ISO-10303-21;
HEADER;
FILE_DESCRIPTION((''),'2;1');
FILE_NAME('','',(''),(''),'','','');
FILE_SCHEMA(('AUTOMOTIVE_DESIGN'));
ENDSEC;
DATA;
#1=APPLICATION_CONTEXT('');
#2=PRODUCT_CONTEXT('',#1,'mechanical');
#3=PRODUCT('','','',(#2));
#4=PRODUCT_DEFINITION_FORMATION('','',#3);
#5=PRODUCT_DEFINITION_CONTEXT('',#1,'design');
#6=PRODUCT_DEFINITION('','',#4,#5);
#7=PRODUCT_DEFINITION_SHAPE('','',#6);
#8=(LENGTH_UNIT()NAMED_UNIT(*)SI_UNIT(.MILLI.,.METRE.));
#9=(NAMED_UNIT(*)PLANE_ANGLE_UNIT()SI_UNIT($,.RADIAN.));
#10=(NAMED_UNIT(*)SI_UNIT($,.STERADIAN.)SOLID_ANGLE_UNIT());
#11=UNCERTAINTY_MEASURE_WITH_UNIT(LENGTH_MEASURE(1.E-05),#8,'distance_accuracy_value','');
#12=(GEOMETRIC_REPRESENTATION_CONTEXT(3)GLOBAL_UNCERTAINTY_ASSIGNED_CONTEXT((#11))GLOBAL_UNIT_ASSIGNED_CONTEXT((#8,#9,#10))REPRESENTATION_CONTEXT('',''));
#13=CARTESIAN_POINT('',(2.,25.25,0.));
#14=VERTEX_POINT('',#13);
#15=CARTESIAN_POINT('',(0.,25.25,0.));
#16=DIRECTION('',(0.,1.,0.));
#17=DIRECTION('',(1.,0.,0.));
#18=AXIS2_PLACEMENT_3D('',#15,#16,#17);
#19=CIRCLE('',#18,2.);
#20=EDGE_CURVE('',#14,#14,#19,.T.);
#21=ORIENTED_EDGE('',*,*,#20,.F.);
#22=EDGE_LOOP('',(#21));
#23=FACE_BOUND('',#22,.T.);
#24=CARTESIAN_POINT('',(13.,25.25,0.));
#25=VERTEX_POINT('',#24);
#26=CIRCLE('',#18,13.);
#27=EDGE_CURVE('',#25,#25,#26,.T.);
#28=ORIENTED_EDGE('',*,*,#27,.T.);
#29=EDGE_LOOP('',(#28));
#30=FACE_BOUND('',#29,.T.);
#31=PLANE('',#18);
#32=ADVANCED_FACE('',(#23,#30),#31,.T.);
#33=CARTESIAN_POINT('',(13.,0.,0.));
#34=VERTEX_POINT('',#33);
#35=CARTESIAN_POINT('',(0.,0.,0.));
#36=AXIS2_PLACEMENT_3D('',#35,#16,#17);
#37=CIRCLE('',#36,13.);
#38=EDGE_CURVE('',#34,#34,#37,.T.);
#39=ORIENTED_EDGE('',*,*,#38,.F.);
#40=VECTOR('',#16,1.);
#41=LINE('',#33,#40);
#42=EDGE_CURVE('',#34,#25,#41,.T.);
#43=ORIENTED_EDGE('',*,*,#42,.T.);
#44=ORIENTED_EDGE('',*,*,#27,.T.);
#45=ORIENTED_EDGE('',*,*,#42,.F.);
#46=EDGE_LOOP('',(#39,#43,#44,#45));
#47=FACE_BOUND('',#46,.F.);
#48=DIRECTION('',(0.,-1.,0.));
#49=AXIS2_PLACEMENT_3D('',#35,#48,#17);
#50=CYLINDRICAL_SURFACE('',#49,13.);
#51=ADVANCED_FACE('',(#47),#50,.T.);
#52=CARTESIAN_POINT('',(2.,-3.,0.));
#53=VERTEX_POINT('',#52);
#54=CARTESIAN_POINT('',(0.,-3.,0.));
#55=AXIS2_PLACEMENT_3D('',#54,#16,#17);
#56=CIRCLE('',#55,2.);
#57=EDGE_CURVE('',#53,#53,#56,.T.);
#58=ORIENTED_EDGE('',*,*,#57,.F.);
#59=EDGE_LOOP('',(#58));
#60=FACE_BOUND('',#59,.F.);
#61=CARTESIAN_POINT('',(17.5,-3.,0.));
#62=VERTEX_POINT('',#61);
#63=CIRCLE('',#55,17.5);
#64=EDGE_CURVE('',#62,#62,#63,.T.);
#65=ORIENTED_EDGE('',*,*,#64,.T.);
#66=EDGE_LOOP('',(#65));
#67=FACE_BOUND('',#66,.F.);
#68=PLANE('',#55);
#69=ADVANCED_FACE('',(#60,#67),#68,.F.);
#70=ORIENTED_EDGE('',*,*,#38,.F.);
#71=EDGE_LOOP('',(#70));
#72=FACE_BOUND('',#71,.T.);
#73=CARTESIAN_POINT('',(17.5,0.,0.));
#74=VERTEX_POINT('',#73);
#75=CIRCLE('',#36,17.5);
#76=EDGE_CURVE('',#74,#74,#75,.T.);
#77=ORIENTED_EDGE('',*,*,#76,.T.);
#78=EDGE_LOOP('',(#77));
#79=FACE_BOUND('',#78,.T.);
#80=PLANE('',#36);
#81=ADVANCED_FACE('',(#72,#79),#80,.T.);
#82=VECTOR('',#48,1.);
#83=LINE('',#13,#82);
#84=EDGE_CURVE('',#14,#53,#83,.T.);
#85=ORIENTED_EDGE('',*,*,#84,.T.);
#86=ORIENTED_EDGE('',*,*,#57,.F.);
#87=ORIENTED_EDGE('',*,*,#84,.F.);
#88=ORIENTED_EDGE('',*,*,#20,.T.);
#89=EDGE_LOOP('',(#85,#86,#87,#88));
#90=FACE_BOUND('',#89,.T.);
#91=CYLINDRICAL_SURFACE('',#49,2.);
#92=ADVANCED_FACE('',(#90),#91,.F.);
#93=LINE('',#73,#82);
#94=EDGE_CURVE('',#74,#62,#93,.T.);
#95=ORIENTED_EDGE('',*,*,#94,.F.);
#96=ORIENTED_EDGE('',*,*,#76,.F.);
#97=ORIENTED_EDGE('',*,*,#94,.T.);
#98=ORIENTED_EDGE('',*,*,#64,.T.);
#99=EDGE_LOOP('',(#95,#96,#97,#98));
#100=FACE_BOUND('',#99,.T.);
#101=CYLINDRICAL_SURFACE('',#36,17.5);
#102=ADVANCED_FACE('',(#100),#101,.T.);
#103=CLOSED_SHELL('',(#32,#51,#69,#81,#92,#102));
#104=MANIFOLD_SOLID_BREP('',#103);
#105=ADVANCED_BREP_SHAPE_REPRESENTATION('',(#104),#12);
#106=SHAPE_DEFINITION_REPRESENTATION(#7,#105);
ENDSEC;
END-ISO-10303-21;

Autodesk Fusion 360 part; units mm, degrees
sketch "Sketch1" plane through (0, 0, 0) normal (0, 1, 0) x (1, 0, 0)
  circle A0 centre (0, 0) radius 13
  circle A1 centre (0, 0) radius 17.5
  circle A2 centre (0, 0) radius 2
  dimension "d1" = 26
  dimension "d2" = 35
  dimension "d7" = 4
extrude "Extrude1" add sketch "Sketch1" along normal blind 25.25 contours A0
extrude "Extrude2" add sketch "Sketch1" against normal blind 3 contours A0 | A1
